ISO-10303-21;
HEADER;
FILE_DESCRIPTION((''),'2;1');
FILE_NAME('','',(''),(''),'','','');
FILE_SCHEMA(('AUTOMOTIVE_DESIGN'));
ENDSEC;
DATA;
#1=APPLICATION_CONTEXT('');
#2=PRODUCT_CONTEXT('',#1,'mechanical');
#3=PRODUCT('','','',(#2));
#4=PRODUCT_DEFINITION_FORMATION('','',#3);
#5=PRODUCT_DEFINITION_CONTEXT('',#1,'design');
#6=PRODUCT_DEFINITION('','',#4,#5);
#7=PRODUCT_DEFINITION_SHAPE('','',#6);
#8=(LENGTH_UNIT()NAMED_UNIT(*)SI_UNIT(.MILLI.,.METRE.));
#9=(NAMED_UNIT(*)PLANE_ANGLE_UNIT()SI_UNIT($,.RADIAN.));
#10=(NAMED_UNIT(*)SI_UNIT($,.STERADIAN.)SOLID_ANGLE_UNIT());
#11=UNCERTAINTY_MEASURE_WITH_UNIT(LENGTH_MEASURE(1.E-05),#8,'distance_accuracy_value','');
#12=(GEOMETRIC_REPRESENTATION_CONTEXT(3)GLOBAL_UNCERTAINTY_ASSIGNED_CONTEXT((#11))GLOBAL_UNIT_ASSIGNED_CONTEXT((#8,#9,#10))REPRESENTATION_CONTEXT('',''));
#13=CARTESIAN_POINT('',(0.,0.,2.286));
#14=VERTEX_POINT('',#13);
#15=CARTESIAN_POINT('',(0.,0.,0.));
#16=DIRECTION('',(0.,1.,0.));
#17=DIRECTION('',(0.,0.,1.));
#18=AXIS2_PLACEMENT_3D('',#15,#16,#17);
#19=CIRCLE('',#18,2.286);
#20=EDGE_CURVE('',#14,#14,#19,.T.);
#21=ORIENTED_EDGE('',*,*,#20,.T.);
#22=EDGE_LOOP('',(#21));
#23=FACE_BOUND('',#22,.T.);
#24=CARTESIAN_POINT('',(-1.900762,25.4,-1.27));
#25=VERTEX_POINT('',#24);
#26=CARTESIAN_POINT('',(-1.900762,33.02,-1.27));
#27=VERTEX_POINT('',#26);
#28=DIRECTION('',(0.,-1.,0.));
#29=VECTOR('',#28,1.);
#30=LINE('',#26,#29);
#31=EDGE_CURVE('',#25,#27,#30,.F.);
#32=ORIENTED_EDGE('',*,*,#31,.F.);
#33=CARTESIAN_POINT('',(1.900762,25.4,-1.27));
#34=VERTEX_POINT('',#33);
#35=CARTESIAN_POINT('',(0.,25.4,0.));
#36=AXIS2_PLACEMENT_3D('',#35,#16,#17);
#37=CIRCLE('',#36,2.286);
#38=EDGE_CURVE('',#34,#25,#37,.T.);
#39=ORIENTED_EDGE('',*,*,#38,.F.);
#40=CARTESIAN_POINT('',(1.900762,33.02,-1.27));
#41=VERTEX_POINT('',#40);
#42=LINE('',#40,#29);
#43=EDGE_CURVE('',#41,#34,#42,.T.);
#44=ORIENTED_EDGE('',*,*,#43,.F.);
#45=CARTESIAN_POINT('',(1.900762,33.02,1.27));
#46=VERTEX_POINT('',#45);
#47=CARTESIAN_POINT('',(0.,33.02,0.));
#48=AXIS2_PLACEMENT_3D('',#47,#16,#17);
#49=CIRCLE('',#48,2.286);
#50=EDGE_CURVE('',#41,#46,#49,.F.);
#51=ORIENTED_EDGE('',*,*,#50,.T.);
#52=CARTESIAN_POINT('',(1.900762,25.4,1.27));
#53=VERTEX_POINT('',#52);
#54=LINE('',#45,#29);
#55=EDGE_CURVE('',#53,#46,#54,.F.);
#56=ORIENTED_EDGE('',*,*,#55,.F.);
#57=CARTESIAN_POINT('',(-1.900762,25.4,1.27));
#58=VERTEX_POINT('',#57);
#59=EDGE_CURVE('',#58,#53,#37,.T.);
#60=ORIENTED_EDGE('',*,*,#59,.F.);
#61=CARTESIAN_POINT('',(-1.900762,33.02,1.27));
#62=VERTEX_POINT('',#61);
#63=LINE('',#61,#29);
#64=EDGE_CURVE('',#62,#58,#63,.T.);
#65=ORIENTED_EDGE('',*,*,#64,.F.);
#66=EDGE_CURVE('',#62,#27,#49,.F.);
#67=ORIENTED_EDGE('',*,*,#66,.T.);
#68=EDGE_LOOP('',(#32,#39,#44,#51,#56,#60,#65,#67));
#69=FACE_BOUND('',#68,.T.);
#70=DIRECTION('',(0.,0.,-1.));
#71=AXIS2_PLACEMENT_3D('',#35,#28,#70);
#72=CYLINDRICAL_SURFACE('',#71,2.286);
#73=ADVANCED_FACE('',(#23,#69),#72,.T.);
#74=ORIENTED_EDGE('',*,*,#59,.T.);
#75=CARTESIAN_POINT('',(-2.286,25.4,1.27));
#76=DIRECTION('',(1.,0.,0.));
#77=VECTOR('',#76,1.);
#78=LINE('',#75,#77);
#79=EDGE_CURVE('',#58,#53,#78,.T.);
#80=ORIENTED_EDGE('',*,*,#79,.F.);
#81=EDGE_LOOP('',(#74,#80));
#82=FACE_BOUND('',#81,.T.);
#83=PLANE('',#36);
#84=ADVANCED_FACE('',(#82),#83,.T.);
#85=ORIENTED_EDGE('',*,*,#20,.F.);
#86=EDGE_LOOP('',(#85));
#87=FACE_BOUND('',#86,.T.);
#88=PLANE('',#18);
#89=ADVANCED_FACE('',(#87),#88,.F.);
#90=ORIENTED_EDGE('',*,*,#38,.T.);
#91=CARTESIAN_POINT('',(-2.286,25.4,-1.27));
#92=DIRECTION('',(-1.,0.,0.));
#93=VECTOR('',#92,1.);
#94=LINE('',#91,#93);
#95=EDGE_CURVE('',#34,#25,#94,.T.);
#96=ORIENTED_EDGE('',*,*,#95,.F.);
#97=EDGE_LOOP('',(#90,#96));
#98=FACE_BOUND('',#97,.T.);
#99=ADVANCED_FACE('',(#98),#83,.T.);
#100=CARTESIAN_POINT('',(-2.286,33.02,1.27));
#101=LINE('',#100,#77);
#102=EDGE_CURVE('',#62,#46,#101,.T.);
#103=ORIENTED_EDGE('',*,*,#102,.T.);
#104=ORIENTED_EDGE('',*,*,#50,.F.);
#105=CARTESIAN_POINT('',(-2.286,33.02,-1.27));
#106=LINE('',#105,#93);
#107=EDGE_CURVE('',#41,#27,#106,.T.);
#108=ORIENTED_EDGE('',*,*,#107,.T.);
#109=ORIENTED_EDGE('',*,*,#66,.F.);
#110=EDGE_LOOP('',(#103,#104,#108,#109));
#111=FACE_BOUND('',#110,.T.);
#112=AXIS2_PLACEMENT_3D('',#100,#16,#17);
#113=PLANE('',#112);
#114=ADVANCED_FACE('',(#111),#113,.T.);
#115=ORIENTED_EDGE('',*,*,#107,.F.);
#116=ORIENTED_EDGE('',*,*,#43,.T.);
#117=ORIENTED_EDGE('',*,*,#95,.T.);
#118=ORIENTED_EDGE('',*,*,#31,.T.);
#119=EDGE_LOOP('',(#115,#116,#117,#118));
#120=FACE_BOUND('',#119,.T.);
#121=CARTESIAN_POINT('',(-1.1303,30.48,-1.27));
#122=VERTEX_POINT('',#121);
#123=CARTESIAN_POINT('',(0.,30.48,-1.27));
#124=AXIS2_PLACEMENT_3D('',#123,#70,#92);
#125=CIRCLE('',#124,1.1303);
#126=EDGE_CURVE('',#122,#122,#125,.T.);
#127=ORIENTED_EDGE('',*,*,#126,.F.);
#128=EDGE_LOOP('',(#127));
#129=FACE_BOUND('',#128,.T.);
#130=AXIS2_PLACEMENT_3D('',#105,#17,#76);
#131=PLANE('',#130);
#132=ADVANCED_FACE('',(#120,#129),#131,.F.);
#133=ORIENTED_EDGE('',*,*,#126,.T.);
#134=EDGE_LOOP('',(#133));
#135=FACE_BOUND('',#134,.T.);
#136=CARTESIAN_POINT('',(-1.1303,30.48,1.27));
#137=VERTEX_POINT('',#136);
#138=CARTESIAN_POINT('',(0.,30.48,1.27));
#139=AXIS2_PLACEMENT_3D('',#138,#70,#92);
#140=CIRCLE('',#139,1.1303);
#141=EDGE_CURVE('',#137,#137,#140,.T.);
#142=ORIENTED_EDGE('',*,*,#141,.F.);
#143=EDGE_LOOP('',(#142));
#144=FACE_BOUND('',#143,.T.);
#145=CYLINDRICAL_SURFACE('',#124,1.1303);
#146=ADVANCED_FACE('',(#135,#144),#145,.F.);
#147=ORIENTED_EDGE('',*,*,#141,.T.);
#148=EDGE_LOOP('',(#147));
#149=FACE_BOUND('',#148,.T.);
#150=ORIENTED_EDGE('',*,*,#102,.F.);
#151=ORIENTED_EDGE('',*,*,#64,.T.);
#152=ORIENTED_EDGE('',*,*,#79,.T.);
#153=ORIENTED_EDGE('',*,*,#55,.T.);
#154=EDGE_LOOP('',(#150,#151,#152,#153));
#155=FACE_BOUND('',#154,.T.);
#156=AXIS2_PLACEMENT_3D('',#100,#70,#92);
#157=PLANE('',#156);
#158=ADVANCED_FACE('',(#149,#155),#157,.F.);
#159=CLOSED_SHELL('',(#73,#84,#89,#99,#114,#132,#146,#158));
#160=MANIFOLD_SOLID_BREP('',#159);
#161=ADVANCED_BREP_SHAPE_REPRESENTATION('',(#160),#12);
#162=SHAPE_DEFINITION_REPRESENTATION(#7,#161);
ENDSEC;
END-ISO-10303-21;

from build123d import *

# Parameters (mm, degrees)
SKETCH1_R                  = 2.286
EXTRUDE1_DEPTH             = 25.4
SKETCH2_W                  = 4.572
SKETCH2_H                  = 2.54
EXTRUDE2_DEPTH             = 7.62
SKETCH3_OUTSIDE_W          = 13.302
SKETCH3_OUTSIDE_H          = 13.302
SKETCH3_OUTSIDE_R          = 2.286
CUT_EXTRUDE1_DEPTH         = 7.62
TAP_DRILL_FOR_4_TAP1_D     = 2.2606
TAP_DRILL_FOR_4_TAP1_DEPTH = 6.35
TAP_DRILL_FOR_4_TAP1_TIP   = 0.679152758


with BuildPart() as part:
    # Sketch1 → Extrude1 (new body)
    with BuildSketch(Plane(origin=(0, 0, 0), x_dir=(1, 0, 0), z_dir=(0, 1, 0))):
        Circle(SKETCH1_R)
    extrude(amount=EXTRUDE1_DEPTH)

    # Sketch2 → Extrude2 (add)
    with BuildSketch(Plane(origin=(0, 25.4, 0), x_dir=(-1, 0, 0), z_dir=(0, 1, 0))):
        Rectangle(SKETCH2_W, SKETCH2_H)
    extrude(amount=EXTRUDE2_DEPTH)

    # Sketch3 outside → Cut-Extrude1 (cut)
    with BuildSketch(Plane(origin=(0, 25.4, 0), x_dir=(-1, 0, 0), z_dir=(0, 1, 0))):
        Rectangle(SKETCH3_OUTSIDE_W, SKETCH3_OUTSIDE_H)
        Circle(SKETCH3_OUTSIDE_R, mode=Mode.SUBTRACT)
    extrude(amount=CUT_EXTRUDE1_DEPTH, mode=Mode.SUBTRACT)

    # Tap Drill for #4 Tap1
    with Locations(Plane(origin=(-5.8e-08, 30.48, -1.27), x_dir=(-1, 0, 0), z_dir=(0, 0, -1))):
        with Locations((0, 0)):
            Hole(TAP_DRILL_FOR_4_TAP1_D / 2, depth=TAP_DRILL_FOR_4_TAP1_DEPTH)
            with Locations((0, 0, -(TAP_DRILL_FOR_4_TAP1_DEPTH + TAP_DRILL_FOR_4_TAP1_TIP / 2))):  # 118° drill point
                Cone(0, TAP_DRILL_FOR_4_TAP1_D / 2, TAP_DRILL_FOR_4_TAP1_TIP, mode=Mode.SUBTRACT)


solid = part.part
